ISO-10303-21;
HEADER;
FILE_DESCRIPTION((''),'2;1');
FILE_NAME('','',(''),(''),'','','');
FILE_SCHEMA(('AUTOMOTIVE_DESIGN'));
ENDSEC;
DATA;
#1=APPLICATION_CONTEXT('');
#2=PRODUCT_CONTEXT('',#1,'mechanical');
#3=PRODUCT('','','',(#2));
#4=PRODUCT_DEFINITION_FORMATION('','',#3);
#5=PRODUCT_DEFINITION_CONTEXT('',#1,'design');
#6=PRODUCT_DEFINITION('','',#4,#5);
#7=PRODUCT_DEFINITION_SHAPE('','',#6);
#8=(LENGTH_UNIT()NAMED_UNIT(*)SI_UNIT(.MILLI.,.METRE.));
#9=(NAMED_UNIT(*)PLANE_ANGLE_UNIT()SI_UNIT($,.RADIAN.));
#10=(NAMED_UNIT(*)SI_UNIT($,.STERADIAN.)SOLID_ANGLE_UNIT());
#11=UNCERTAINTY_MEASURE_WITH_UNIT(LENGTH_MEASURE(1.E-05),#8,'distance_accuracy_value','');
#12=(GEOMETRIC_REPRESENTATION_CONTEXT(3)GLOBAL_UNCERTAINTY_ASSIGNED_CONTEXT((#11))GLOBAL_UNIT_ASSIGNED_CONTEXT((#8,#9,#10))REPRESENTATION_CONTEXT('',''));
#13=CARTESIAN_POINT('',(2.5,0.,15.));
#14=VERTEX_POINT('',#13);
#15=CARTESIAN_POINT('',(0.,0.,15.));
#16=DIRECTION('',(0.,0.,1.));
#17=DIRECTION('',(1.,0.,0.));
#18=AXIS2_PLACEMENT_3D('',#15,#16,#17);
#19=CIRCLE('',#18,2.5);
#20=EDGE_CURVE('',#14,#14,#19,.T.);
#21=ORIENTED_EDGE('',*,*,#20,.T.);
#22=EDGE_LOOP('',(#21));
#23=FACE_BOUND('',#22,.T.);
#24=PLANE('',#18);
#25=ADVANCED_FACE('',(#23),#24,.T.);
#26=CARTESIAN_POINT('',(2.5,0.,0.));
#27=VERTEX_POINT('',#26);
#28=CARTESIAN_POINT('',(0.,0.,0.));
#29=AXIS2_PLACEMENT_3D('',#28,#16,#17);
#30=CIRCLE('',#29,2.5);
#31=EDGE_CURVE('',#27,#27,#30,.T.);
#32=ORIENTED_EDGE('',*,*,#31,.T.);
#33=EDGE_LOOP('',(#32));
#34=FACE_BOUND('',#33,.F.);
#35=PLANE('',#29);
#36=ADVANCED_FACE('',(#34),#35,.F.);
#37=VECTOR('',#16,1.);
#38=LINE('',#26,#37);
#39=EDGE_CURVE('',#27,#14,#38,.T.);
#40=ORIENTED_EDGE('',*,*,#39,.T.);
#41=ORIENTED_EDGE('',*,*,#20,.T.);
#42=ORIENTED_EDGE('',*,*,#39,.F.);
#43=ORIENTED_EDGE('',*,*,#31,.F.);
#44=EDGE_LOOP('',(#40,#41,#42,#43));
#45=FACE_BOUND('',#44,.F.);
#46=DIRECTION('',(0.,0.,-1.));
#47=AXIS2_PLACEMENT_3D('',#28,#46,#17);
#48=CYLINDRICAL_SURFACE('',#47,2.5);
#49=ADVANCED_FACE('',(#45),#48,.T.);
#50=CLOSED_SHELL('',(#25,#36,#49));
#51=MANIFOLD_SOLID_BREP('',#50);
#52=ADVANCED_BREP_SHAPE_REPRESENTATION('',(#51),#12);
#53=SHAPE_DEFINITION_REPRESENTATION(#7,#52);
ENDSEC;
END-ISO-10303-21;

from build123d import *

# Parameters (mm, degrees)
SKETCH2_R           = 2.5
BOSS_EXTRUDE1_DEPTH = 15


with BuildPart() as part:
    # Sketch2 → Boss-Extrude1 (new body)
    with BuildSketch(Plane.XY):
        Circle(SKETCH2_R)
    extrude(amount=BOSS_EXTRUDE1_DEPTH)


solid = part.part
